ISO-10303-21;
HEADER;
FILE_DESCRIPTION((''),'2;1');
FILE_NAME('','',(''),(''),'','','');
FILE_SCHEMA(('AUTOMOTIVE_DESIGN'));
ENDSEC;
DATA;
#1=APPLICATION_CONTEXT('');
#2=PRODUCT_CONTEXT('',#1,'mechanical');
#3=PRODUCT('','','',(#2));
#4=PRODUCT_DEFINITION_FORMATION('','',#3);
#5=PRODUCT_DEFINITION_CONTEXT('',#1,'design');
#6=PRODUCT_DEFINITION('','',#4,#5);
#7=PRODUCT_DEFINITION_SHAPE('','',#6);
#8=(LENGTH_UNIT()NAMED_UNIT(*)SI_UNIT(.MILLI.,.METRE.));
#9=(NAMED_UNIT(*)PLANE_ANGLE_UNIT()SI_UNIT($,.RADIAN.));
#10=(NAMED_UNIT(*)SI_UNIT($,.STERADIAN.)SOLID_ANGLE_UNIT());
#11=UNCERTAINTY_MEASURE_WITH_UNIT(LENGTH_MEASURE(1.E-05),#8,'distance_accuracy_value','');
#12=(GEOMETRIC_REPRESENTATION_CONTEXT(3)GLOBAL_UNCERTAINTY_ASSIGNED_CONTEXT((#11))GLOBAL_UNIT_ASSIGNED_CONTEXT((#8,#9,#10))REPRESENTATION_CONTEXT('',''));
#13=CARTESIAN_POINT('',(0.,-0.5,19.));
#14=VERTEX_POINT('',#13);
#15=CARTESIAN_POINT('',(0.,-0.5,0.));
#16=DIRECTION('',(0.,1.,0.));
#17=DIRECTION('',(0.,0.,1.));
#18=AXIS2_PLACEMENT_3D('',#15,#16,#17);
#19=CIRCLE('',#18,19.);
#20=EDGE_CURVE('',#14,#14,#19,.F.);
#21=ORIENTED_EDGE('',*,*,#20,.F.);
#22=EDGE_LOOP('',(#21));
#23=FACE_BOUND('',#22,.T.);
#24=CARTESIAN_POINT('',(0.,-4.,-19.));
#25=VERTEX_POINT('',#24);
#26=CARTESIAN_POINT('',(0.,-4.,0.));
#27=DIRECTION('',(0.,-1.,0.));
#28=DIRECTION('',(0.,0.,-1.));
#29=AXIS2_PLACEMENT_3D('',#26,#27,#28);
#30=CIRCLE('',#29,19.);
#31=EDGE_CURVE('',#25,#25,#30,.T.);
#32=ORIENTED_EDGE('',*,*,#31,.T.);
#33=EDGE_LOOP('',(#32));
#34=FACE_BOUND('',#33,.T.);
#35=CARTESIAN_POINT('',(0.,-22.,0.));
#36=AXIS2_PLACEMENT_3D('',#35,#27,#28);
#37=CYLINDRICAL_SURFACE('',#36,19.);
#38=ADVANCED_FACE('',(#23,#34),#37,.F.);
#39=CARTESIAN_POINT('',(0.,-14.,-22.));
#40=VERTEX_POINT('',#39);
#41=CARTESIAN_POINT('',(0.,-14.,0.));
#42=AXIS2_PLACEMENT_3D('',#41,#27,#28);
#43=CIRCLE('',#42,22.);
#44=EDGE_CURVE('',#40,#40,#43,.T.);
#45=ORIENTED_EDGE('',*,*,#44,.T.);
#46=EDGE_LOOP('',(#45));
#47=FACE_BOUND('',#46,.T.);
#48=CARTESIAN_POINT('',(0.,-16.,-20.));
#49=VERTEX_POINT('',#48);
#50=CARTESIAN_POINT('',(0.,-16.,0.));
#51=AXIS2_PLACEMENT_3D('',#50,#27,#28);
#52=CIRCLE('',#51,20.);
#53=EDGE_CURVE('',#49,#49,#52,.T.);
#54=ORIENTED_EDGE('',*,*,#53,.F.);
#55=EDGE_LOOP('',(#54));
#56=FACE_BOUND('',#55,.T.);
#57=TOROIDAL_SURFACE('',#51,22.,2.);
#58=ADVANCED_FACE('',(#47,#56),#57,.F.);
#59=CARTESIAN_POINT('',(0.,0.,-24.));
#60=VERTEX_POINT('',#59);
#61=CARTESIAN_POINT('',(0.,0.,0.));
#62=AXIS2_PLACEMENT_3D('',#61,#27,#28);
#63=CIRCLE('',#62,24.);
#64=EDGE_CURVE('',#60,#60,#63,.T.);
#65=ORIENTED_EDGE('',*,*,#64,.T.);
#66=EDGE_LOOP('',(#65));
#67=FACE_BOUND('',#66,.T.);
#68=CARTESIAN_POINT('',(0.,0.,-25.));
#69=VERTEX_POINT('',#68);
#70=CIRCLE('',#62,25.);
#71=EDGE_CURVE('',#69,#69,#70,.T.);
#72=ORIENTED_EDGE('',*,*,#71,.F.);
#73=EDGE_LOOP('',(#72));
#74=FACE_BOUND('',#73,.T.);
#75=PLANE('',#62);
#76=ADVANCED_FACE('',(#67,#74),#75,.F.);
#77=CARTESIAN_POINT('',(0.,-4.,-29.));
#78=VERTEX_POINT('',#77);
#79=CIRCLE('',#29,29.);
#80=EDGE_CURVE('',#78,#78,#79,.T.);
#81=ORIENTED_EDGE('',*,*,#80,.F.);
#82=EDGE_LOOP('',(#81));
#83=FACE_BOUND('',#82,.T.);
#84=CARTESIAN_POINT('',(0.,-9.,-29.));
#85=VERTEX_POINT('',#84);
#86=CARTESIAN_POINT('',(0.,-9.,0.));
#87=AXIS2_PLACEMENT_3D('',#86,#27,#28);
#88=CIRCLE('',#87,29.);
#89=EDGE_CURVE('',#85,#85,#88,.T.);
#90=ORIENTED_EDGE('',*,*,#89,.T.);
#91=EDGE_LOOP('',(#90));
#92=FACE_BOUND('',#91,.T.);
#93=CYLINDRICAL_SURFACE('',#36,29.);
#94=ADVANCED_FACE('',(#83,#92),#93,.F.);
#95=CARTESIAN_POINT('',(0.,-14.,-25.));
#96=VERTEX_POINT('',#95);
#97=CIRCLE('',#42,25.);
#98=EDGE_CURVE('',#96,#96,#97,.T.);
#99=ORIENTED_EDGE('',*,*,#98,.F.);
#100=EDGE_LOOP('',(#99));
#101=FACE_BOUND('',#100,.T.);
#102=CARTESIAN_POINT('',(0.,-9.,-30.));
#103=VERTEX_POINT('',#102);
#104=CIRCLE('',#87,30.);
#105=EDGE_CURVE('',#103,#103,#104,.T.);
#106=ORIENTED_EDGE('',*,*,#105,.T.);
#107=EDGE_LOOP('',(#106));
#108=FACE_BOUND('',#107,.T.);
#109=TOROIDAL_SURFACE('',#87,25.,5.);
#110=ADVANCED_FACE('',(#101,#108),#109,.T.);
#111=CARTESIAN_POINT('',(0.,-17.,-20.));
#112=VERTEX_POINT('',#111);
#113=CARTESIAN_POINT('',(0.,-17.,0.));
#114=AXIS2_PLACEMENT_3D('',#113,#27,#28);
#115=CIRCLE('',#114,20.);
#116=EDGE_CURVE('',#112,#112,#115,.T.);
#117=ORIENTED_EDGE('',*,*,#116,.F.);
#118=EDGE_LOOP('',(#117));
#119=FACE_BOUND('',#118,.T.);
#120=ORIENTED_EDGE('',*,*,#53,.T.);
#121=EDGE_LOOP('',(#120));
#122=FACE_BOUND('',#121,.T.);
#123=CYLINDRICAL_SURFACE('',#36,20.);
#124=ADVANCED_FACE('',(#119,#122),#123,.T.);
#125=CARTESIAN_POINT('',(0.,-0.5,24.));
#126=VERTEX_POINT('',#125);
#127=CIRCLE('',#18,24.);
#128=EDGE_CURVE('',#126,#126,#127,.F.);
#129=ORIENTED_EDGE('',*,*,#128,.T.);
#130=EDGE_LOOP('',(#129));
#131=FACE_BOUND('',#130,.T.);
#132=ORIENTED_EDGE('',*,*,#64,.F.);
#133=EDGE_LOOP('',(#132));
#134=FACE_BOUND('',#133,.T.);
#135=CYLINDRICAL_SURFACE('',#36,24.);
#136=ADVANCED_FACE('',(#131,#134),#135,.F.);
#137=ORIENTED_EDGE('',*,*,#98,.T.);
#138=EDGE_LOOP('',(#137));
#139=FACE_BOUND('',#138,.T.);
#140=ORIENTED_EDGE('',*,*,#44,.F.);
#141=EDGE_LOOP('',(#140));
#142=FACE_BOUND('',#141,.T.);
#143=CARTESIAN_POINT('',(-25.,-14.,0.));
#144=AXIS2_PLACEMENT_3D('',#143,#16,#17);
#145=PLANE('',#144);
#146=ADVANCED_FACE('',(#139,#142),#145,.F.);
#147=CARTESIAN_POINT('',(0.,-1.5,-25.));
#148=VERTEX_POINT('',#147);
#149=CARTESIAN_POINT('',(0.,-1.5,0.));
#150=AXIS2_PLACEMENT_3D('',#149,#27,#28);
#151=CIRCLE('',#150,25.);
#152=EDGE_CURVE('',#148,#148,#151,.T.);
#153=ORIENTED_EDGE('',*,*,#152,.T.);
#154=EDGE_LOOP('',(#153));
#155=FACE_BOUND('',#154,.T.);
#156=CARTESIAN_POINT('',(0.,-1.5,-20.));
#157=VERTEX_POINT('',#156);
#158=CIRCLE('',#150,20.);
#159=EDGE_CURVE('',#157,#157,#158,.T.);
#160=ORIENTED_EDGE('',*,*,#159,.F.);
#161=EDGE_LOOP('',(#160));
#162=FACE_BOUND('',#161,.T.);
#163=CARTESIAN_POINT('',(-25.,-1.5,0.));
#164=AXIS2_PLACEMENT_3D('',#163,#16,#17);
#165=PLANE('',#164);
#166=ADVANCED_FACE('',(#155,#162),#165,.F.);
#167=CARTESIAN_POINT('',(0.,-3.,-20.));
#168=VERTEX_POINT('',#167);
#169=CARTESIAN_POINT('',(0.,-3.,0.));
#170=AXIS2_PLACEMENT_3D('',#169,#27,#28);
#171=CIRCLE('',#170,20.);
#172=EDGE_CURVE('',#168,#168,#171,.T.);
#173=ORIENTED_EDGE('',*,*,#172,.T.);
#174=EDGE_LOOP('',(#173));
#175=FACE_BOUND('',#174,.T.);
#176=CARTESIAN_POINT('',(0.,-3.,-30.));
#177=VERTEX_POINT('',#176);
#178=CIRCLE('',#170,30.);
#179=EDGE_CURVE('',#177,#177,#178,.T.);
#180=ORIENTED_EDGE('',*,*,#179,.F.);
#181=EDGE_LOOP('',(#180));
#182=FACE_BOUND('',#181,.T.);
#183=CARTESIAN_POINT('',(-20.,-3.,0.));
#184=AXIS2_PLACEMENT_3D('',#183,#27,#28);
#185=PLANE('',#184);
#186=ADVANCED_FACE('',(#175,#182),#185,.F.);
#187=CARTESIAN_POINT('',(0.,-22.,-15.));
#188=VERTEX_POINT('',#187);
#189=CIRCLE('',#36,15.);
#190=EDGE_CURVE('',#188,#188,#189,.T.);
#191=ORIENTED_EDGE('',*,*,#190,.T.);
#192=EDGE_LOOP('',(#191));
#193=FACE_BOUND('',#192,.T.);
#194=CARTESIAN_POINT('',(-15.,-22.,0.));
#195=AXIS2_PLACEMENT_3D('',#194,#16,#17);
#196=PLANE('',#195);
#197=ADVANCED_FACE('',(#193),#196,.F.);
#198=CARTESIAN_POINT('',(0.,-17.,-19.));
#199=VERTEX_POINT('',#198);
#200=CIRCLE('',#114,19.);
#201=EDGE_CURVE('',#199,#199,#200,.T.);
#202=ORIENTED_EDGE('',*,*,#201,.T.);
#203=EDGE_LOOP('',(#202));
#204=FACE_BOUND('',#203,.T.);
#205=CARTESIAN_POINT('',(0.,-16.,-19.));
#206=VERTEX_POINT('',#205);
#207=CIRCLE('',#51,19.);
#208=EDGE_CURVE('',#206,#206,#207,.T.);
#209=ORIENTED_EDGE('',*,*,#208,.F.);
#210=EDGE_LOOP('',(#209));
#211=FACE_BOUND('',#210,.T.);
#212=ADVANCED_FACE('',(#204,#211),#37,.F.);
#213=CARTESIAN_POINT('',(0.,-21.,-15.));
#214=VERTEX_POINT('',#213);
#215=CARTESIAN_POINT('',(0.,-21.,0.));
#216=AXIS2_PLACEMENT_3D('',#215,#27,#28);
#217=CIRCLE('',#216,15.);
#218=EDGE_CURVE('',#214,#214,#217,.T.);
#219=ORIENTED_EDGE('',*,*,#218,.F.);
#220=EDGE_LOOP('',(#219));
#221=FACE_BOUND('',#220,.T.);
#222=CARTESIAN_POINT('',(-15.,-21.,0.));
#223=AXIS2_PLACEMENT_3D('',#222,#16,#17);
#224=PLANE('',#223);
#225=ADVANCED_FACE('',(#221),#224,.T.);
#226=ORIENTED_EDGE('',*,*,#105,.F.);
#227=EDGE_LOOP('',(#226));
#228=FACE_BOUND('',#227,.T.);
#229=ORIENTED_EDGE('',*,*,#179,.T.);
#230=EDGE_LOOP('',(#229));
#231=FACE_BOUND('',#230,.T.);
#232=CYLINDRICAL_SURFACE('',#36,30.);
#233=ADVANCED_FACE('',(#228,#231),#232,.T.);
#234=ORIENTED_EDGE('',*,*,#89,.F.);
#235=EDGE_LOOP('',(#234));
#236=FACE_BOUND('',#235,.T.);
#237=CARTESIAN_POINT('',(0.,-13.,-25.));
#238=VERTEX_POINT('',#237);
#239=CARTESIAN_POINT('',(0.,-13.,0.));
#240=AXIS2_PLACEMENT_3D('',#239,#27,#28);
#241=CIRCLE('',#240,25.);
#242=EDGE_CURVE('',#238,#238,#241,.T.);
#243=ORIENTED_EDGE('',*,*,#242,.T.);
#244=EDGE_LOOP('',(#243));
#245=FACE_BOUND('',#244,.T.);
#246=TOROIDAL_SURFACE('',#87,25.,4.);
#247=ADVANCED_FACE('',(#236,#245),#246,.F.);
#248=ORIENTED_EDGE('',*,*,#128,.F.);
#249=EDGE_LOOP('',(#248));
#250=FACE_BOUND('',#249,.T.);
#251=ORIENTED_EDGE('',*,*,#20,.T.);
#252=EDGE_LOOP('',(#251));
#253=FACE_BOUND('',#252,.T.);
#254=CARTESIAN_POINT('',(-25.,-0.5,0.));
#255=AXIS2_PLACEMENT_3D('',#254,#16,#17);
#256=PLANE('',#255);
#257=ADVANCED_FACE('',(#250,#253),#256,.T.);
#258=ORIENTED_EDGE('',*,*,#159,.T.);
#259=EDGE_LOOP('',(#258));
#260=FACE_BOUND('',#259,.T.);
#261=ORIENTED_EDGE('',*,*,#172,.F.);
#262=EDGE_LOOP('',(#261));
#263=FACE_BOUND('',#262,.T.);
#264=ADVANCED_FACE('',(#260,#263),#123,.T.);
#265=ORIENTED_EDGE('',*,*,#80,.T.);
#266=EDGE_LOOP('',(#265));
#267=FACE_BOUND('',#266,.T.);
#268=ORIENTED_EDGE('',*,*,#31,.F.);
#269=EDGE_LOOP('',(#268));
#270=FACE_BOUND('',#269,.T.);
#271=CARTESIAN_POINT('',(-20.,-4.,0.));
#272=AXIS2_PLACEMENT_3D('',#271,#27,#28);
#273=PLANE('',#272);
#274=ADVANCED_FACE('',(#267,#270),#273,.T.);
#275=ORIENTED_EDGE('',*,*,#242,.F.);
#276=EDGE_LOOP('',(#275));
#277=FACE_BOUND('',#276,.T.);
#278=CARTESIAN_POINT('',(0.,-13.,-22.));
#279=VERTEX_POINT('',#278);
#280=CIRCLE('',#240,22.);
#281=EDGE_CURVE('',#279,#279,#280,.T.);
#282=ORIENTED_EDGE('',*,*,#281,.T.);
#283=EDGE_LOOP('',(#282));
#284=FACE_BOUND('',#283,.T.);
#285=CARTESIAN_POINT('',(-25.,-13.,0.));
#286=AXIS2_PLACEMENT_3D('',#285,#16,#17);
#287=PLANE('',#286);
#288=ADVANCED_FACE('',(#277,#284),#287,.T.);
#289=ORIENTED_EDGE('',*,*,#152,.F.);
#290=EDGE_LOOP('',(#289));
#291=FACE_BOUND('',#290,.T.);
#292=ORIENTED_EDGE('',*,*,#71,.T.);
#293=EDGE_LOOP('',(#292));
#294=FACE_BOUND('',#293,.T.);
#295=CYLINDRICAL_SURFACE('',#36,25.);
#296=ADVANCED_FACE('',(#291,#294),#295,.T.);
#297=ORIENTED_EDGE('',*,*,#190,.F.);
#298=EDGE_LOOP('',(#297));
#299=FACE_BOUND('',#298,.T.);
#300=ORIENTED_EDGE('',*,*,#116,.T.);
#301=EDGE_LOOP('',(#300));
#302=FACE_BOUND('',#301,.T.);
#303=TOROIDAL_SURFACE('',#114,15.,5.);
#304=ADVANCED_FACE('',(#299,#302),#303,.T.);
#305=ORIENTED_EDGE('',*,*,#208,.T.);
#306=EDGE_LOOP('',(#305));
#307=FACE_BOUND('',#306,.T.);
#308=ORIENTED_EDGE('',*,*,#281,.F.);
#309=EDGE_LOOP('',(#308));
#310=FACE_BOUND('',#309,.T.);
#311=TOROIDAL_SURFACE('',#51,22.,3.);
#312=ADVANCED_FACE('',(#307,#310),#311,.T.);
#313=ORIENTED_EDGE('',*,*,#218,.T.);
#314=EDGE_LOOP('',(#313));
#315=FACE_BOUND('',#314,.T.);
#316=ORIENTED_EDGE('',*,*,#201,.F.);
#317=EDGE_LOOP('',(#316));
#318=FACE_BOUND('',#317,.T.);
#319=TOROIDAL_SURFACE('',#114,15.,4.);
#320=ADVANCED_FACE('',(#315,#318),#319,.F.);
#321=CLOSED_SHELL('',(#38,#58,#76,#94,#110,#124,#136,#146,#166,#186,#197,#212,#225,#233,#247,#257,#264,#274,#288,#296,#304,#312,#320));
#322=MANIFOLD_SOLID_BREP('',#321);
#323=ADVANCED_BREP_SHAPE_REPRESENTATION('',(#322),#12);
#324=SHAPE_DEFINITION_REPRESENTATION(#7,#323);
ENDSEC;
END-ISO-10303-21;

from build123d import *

# Parameters (mm, degrees)
SHELL1_T = -1


with BuildPart() as part:
    # Sketch2 → Revolve1 (revolve)
    with BuildSketch(Plane.XY):
        with BuildLine():
            Line((0, 0), (-25, 0))
            Line((-25, 0), (-25, -1.5))
            Line((-25, -1.5), (-20, -1.5))
            Line((-20, -1.5), (-20, -3))
            Line((-20, -3), (-30, -3))
            Line((-30, -3), (-30, -9))
            ThreePointArc((-30, -9), (-28.535533906, -12.535533906), (-25, -14))
            Line((-25, -14), (-22, -14))
            ThreePointArc((-22, -14), (-20.585786438, -14.585786438), (-20, -16))
            Line((-20, -16), (-20, -17))
            ThreePointArc((-20, -17), (-18.535533906, -20.535533906), (-15, -22))
            Line((-15, -22), (0, -22))
            Line((0, -22), (0, 0))
        make_face()
    revolve(axis=Axis((0, -22, 0), (0, 1, 0)))

    # Shell1
    shell1_openings = [part.faces().sort_by_distance(p)[0] for p in [
        (0, 0, -25),
    ]]
    offset(amount=SHELL1_T, openings=shell1_openings, kind=Kind.INTERSECTION)


solid = part.part
